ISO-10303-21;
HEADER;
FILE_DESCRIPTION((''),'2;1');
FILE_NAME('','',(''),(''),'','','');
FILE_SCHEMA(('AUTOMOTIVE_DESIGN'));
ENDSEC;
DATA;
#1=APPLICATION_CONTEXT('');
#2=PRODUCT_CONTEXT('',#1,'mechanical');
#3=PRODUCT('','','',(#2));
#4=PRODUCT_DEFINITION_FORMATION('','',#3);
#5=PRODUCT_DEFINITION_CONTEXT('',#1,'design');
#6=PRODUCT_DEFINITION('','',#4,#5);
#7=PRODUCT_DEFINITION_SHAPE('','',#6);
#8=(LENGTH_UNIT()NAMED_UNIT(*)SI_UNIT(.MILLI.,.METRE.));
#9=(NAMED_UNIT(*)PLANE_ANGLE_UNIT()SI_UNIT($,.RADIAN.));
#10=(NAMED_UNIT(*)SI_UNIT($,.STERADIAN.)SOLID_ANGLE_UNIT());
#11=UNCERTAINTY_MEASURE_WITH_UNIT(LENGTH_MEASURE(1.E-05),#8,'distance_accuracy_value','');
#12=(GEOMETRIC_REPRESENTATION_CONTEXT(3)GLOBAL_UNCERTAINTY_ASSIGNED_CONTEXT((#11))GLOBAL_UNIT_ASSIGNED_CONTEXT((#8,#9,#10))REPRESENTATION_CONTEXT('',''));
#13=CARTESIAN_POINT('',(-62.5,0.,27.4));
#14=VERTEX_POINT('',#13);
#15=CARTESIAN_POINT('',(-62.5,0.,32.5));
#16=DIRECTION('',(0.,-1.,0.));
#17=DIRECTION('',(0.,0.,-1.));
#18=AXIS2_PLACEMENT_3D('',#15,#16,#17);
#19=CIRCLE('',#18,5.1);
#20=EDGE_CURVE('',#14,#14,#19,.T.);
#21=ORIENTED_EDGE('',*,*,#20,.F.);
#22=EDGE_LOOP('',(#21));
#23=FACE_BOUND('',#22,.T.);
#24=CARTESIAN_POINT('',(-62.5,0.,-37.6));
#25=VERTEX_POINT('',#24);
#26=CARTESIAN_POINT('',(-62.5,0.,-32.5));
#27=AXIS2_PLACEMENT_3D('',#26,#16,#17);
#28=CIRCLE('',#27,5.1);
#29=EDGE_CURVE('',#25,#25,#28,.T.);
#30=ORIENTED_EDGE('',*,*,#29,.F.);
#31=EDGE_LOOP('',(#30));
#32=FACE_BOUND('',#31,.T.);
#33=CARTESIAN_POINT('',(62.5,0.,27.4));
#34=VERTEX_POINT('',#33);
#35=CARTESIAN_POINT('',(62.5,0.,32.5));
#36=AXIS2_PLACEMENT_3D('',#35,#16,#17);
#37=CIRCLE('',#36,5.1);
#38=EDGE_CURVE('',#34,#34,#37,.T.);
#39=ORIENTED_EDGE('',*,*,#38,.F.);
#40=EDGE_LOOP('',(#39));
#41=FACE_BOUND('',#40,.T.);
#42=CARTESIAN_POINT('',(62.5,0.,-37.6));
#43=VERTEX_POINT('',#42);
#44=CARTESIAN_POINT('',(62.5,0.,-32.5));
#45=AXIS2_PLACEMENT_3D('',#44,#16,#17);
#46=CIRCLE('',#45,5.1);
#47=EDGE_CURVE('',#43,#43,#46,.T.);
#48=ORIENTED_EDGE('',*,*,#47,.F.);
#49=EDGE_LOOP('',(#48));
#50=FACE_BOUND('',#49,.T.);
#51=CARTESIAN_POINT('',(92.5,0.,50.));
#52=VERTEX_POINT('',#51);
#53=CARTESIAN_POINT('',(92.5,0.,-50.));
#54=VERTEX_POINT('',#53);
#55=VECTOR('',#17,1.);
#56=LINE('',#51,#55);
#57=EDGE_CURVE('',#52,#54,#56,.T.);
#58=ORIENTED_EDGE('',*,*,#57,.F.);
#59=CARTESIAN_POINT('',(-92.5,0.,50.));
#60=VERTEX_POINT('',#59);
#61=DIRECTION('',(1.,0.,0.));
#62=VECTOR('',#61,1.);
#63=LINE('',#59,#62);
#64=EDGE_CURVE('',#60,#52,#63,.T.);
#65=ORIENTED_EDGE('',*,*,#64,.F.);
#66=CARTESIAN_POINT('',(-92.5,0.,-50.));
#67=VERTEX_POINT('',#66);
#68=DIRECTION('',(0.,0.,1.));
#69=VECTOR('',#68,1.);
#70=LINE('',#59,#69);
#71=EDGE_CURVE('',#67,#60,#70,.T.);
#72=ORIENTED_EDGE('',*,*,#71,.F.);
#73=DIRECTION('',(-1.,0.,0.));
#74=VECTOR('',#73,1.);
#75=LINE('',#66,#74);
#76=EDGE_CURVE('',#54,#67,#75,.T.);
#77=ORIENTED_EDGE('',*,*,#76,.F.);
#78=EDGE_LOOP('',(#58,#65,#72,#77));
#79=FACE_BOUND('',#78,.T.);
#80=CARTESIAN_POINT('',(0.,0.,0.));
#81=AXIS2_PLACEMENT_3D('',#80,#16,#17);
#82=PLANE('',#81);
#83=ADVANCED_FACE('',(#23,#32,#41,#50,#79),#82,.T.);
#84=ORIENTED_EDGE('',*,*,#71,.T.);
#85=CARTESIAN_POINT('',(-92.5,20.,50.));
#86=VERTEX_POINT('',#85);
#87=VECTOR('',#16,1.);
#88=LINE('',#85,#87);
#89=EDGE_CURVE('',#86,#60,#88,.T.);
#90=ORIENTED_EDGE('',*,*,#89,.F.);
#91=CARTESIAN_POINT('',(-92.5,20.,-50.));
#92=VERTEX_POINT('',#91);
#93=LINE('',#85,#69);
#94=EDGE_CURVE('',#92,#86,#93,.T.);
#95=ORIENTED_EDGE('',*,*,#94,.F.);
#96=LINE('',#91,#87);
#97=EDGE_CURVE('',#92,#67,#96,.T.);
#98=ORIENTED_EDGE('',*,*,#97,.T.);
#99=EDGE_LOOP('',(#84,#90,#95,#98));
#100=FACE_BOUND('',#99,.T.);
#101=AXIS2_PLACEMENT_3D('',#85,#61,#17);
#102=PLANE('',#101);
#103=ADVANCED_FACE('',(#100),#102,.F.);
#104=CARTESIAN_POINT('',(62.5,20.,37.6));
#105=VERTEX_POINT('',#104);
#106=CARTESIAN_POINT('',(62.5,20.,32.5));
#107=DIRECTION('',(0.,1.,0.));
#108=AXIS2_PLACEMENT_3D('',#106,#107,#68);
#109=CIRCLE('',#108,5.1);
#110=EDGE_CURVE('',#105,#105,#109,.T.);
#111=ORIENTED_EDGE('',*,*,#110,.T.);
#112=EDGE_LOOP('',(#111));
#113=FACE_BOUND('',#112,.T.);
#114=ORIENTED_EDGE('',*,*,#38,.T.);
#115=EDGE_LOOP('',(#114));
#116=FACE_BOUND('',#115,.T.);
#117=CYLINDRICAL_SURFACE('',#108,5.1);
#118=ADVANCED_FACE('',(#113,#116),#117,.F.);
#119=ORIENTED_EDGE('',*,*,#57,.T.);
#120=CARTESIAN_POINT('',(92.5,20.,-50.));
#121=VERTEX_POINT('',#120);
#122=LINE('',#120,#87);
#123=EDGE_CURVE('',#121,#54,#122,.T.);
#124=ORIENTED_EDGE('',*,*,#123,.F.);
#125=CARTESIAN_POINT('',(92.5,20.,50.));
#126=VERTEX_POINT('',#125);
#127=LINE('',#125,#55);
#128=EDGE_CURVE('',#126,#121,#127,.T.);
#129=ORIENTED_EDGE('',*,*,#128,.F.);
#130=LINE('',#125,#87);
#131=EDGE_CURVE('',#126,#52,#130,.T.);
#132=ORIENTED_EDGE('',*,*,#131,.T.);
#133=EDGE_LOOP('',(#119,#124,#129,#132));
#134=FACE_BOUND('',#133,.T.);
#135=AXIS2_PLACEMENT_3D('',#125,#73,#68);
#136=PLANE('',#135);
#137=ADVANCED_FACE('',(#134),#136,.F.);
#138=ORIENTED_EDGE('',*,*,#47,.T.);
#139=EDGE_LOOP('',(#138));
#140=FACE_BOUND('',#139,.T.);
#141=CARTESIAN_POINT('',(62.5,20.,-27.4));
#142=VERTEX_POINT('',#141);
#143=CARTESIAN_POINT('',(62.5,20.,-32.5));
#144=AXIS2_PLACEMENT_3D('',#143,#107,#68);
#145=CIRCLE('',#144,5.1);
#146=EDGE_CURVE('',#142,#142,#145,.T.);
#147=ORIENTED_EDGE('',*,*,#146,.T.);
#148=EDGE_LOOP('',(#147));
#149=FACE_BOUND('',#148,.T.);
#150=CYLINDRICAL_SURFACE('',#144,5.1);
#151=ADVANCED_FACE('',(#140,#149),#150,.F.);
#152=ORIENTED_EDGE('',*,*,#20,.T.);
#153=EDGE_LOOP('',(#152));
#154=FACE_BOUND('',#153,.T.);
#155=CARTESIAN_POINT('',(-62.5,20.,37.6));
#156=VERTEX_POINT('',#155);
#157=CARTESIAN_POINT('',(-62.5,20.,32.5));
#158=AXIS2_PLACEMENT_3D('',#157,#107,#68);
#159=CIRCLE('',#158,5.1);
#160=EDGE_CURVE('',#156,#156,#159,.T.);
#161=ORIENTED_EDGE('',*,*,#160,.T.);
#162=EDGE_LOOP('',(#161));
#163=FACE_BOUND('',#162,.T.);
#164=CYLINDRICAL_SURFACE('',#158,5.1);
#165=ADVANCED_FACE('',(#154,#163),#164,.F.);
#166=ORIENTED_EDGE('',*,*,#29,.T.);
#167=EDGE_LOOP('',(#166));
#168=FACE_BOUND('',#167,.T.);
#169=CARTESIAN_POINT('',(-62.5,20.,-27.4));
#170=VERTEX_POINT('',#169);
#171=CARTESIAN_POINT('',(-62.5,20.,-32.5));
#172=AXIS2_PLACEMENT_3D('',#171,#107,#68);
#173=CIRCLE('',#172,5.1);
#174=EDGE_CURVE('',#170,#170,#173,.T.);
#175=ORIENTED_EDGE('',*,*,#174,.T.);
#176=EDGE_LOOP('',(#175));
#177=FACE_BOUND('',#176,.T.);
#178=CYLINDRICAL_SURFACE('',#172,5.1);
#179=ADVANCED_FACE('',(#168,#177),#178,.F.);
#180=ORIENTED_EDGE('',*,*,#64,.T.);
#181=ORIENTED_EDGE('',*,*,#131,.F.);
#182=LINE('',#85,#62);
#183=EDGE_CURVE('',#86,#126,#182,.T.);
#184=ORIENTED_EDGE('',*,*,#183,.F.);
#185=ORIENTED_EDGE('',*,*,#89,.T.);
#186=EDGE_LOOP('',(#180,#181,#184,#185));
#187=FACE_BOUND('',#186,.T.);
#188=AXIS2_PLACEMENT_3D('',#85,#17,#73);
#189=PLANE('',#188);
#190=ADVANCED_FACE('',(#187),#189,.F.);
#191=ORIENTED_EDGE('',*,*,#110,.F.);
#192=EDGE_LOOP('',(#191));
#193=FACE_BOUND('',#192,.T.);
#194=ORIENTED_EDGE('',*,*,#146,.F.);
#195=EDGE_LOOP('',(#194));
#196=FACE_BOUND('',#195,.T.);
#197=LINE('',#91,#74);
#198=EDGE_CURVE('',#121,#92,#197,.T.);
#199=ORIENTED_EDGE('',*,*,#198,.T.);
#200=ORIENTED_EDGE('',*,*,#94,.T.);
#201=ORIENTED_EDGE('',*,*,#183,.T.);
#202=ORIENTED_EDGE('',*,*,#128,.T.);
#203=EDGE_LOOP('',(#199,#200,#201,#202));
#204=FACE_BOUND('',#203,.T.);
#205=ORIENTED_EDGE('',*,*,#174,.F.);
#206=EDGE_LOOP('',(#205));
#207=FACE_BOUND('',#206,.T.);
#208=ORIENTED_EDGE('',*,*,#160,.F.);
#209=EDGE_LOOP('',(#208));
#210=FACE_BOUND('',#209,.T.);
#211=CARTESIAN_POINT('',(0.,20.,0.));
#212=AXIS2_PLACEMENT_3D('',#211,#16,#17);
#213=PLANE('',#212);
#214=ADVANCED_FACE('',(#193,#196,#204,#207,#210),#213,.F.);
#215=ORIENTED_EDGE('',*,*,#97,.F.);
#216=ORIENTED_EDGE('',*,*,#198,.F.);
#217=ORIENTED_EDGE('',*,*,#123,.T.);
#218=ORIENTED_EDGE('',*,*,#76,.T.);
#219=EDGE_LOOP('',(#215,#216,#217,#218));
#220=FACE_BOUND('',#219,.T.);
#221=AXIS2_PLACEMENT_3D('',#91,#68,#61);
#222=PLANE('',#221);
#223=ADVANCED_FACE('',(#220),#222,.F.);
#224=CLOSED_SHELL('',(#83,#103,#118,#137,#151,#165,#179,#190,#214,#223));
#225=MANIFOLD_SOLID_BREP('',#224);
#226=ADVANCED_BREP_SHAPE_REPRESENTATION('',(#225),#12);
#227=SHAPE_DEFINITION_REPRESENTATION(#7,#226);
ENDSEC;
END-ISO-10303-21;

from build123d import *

# Parameters (mm, degrees)
SKETCH1_W           = 185
SKETCH1_H           = 100
BOSS_EXTRUDE1_DEPTH = 20
M12_TAPPED_HOLE1_D  = 10.2


with BuildPart() as part:
    # Sketch1 → Boss-Extrude1 (new body)
    with BuildSketch(Plane(origin=(0, 0, 0), x_dir=(1, 0, 0), z_dir=(0, 1, 0))):
        Rectangle(SKETCH1_W, SKETCH1_H)
    extrude(amount=BOSS_EXTRUDE1_DEPTH)

    # M12 Tapped Hole1 (through all)
    with Locations(Plane(origin=(0, 20, 0), x_dir=(1, 0, 0), z_dir=(0, 1, 0))):
        with Locations((-62.5, 32.5), (62.5, 32.5), (62.5, -32.5), (-62.5, -32.5)):
            Hole(M12_TAPPED_HOLE1_D / 2)


solid = part.part
